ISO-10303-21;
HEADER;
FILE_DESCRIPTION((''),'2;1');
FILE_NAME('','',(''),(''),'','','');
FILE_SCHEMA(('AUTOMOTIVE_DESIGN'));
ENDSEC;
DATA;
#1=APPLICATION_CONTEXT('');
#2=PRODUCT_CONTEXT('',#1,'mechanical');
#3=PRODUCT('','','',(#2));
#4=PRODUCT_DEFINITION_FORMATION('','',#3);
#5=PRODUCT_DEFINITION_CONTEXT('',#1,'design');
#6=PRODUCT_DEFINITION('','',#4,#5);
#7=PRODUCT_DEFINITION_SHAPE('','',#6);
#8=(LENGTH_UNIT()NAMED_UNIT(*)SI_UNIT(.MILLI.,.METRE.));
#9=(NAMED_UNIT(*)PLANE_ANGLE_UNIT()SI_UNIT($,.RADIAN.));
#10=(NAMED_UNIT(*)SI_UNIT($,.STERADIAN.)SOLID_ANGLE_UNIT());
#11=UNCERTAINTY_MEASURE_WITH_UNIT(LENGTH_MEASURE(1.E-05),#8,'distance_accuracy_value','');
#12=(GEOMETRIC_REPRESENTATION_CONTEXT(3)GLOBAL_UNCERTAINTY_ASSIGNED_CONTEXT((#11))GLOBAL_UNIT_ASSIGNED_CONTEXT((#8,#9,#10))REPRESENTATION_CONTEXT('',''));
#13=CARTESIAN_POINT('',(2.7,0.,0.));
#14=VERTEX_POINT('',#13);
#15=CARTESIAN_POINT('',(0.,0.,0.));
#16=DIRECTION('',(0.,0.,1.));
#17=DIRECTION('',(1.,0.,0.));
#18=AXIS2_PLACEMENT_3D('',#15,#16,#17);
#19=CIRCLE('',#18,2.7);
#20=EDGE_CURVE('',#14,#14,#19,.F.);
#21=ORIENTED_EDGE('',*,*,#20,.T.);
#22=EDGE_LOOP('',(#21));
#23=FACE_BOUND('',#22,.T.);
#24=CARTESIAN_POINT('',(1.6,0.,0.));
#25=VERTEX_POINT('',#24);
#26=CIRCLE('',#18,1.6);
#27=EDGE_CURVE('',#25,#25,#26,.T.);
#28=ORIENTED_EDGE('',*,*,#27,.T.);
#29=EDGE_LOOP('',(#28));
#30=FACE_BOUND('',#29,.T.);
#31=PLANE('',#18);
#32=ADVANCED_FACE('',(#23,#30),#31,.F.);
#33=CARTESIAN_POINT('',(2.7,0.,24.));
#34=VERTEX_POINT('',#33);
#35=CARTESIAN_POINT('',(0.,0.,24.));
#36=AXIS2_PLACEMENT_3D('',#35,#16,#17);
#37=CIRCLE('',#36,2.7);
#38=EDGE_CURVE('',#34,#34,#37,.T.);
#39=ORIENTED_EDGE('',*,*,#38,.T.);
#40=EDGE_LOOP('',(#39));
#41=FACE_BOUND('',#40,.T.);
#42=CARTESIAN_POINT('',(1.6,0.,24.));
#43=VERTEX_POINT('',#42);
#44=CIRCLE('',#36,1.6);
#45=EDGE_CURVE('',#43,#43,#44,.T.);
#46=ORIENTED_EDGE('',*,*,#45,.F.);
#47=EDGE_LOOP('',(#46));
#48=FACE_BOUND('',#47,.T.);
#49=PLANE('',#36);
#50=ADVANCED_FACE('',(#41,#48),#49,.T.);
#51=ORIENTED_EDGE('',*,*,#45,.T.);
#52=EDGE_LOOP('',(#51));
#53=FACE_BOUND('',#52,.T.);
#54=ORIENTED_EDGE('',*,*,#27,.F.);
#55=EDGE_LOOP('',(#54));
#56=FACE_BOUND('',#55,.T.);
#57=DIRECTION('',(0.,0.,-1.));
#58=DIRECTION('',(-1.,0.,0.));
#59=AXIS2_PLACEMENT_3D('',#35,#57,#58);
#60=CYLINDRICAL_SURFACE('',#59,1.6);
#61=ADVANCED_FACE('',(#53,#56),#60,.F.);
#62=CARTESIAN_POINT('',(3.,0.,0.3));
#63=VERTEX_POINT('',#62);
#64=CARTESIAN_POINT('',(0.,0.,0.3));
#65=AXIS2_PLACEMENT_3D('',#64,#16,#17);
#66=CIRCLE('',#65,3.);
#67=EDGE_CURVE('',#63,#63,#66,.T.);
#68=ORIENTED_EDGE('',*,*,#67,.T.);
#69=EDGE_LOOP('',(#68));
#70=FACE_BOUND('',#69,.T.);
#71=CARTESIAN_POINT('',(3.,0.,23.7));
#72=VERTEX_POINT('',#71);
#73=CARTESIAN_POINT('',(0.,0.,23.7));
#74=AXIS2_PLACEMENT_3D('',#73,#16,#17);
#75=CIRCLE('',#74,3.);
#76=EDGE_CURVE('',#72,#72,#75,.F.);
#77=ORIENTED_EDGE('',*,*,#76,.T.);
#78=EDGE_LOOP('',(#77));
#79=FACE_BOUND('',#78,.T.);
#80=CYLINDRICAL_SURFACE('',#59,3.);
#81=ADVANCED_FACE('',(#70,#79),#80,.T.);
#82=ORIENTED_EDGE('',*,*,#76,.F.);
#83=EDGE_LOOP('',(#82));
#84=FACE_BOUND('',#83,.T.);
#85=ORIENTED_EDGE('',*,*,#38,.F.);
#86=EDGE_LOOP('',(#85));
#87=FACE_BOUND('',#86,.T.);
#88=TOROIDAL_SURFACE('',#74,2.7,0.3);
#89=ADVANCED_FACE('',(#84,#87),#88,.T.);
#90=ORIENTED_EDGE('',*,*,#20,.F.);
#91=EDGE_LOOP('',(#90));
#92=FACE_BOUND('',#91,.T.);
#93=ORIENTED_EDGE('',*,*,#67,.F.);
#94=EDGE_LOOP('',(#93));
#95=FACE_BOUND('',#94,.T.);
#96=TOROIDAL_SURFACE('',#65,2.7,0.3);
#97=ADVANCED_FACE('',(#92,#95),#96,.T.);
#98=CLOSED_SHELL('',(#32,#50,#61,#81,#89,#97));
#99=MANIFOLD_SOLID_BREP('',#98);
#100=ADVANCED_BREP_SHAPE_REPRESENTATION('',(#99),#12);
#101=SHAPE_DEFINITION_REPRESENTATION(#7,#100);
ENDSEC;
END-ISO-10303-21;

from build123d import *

# Parameters (mm, degrees)
SKETCH1_R           = 3
SKETCH1_R_2         = 1.6
BOSS_EXTRUDE1_DEPTH = 24
FILLET1_R           = 0.3


with BuildPart() as part:
    # Sketch1 → Boss-Extrude1 (new body)
    with BuildSketch(Plane.XY):
        Circle(SKETCH1_R)
        Circle(SKETCH1_R_2, mode=Mode.SUBTRACT)
    extrude(amount=BOSS_EXTRUDE1_DEPTH)

    # Fillet1
    fillet1_edges = [part.edges().sort_by_distance(p)[0] for p in [
        (-3, 0, 0),
        (-3, 0, 24),
    ]]
    fillet(fillet1_edges, radius=FILLET1_R)


solid = part.part
